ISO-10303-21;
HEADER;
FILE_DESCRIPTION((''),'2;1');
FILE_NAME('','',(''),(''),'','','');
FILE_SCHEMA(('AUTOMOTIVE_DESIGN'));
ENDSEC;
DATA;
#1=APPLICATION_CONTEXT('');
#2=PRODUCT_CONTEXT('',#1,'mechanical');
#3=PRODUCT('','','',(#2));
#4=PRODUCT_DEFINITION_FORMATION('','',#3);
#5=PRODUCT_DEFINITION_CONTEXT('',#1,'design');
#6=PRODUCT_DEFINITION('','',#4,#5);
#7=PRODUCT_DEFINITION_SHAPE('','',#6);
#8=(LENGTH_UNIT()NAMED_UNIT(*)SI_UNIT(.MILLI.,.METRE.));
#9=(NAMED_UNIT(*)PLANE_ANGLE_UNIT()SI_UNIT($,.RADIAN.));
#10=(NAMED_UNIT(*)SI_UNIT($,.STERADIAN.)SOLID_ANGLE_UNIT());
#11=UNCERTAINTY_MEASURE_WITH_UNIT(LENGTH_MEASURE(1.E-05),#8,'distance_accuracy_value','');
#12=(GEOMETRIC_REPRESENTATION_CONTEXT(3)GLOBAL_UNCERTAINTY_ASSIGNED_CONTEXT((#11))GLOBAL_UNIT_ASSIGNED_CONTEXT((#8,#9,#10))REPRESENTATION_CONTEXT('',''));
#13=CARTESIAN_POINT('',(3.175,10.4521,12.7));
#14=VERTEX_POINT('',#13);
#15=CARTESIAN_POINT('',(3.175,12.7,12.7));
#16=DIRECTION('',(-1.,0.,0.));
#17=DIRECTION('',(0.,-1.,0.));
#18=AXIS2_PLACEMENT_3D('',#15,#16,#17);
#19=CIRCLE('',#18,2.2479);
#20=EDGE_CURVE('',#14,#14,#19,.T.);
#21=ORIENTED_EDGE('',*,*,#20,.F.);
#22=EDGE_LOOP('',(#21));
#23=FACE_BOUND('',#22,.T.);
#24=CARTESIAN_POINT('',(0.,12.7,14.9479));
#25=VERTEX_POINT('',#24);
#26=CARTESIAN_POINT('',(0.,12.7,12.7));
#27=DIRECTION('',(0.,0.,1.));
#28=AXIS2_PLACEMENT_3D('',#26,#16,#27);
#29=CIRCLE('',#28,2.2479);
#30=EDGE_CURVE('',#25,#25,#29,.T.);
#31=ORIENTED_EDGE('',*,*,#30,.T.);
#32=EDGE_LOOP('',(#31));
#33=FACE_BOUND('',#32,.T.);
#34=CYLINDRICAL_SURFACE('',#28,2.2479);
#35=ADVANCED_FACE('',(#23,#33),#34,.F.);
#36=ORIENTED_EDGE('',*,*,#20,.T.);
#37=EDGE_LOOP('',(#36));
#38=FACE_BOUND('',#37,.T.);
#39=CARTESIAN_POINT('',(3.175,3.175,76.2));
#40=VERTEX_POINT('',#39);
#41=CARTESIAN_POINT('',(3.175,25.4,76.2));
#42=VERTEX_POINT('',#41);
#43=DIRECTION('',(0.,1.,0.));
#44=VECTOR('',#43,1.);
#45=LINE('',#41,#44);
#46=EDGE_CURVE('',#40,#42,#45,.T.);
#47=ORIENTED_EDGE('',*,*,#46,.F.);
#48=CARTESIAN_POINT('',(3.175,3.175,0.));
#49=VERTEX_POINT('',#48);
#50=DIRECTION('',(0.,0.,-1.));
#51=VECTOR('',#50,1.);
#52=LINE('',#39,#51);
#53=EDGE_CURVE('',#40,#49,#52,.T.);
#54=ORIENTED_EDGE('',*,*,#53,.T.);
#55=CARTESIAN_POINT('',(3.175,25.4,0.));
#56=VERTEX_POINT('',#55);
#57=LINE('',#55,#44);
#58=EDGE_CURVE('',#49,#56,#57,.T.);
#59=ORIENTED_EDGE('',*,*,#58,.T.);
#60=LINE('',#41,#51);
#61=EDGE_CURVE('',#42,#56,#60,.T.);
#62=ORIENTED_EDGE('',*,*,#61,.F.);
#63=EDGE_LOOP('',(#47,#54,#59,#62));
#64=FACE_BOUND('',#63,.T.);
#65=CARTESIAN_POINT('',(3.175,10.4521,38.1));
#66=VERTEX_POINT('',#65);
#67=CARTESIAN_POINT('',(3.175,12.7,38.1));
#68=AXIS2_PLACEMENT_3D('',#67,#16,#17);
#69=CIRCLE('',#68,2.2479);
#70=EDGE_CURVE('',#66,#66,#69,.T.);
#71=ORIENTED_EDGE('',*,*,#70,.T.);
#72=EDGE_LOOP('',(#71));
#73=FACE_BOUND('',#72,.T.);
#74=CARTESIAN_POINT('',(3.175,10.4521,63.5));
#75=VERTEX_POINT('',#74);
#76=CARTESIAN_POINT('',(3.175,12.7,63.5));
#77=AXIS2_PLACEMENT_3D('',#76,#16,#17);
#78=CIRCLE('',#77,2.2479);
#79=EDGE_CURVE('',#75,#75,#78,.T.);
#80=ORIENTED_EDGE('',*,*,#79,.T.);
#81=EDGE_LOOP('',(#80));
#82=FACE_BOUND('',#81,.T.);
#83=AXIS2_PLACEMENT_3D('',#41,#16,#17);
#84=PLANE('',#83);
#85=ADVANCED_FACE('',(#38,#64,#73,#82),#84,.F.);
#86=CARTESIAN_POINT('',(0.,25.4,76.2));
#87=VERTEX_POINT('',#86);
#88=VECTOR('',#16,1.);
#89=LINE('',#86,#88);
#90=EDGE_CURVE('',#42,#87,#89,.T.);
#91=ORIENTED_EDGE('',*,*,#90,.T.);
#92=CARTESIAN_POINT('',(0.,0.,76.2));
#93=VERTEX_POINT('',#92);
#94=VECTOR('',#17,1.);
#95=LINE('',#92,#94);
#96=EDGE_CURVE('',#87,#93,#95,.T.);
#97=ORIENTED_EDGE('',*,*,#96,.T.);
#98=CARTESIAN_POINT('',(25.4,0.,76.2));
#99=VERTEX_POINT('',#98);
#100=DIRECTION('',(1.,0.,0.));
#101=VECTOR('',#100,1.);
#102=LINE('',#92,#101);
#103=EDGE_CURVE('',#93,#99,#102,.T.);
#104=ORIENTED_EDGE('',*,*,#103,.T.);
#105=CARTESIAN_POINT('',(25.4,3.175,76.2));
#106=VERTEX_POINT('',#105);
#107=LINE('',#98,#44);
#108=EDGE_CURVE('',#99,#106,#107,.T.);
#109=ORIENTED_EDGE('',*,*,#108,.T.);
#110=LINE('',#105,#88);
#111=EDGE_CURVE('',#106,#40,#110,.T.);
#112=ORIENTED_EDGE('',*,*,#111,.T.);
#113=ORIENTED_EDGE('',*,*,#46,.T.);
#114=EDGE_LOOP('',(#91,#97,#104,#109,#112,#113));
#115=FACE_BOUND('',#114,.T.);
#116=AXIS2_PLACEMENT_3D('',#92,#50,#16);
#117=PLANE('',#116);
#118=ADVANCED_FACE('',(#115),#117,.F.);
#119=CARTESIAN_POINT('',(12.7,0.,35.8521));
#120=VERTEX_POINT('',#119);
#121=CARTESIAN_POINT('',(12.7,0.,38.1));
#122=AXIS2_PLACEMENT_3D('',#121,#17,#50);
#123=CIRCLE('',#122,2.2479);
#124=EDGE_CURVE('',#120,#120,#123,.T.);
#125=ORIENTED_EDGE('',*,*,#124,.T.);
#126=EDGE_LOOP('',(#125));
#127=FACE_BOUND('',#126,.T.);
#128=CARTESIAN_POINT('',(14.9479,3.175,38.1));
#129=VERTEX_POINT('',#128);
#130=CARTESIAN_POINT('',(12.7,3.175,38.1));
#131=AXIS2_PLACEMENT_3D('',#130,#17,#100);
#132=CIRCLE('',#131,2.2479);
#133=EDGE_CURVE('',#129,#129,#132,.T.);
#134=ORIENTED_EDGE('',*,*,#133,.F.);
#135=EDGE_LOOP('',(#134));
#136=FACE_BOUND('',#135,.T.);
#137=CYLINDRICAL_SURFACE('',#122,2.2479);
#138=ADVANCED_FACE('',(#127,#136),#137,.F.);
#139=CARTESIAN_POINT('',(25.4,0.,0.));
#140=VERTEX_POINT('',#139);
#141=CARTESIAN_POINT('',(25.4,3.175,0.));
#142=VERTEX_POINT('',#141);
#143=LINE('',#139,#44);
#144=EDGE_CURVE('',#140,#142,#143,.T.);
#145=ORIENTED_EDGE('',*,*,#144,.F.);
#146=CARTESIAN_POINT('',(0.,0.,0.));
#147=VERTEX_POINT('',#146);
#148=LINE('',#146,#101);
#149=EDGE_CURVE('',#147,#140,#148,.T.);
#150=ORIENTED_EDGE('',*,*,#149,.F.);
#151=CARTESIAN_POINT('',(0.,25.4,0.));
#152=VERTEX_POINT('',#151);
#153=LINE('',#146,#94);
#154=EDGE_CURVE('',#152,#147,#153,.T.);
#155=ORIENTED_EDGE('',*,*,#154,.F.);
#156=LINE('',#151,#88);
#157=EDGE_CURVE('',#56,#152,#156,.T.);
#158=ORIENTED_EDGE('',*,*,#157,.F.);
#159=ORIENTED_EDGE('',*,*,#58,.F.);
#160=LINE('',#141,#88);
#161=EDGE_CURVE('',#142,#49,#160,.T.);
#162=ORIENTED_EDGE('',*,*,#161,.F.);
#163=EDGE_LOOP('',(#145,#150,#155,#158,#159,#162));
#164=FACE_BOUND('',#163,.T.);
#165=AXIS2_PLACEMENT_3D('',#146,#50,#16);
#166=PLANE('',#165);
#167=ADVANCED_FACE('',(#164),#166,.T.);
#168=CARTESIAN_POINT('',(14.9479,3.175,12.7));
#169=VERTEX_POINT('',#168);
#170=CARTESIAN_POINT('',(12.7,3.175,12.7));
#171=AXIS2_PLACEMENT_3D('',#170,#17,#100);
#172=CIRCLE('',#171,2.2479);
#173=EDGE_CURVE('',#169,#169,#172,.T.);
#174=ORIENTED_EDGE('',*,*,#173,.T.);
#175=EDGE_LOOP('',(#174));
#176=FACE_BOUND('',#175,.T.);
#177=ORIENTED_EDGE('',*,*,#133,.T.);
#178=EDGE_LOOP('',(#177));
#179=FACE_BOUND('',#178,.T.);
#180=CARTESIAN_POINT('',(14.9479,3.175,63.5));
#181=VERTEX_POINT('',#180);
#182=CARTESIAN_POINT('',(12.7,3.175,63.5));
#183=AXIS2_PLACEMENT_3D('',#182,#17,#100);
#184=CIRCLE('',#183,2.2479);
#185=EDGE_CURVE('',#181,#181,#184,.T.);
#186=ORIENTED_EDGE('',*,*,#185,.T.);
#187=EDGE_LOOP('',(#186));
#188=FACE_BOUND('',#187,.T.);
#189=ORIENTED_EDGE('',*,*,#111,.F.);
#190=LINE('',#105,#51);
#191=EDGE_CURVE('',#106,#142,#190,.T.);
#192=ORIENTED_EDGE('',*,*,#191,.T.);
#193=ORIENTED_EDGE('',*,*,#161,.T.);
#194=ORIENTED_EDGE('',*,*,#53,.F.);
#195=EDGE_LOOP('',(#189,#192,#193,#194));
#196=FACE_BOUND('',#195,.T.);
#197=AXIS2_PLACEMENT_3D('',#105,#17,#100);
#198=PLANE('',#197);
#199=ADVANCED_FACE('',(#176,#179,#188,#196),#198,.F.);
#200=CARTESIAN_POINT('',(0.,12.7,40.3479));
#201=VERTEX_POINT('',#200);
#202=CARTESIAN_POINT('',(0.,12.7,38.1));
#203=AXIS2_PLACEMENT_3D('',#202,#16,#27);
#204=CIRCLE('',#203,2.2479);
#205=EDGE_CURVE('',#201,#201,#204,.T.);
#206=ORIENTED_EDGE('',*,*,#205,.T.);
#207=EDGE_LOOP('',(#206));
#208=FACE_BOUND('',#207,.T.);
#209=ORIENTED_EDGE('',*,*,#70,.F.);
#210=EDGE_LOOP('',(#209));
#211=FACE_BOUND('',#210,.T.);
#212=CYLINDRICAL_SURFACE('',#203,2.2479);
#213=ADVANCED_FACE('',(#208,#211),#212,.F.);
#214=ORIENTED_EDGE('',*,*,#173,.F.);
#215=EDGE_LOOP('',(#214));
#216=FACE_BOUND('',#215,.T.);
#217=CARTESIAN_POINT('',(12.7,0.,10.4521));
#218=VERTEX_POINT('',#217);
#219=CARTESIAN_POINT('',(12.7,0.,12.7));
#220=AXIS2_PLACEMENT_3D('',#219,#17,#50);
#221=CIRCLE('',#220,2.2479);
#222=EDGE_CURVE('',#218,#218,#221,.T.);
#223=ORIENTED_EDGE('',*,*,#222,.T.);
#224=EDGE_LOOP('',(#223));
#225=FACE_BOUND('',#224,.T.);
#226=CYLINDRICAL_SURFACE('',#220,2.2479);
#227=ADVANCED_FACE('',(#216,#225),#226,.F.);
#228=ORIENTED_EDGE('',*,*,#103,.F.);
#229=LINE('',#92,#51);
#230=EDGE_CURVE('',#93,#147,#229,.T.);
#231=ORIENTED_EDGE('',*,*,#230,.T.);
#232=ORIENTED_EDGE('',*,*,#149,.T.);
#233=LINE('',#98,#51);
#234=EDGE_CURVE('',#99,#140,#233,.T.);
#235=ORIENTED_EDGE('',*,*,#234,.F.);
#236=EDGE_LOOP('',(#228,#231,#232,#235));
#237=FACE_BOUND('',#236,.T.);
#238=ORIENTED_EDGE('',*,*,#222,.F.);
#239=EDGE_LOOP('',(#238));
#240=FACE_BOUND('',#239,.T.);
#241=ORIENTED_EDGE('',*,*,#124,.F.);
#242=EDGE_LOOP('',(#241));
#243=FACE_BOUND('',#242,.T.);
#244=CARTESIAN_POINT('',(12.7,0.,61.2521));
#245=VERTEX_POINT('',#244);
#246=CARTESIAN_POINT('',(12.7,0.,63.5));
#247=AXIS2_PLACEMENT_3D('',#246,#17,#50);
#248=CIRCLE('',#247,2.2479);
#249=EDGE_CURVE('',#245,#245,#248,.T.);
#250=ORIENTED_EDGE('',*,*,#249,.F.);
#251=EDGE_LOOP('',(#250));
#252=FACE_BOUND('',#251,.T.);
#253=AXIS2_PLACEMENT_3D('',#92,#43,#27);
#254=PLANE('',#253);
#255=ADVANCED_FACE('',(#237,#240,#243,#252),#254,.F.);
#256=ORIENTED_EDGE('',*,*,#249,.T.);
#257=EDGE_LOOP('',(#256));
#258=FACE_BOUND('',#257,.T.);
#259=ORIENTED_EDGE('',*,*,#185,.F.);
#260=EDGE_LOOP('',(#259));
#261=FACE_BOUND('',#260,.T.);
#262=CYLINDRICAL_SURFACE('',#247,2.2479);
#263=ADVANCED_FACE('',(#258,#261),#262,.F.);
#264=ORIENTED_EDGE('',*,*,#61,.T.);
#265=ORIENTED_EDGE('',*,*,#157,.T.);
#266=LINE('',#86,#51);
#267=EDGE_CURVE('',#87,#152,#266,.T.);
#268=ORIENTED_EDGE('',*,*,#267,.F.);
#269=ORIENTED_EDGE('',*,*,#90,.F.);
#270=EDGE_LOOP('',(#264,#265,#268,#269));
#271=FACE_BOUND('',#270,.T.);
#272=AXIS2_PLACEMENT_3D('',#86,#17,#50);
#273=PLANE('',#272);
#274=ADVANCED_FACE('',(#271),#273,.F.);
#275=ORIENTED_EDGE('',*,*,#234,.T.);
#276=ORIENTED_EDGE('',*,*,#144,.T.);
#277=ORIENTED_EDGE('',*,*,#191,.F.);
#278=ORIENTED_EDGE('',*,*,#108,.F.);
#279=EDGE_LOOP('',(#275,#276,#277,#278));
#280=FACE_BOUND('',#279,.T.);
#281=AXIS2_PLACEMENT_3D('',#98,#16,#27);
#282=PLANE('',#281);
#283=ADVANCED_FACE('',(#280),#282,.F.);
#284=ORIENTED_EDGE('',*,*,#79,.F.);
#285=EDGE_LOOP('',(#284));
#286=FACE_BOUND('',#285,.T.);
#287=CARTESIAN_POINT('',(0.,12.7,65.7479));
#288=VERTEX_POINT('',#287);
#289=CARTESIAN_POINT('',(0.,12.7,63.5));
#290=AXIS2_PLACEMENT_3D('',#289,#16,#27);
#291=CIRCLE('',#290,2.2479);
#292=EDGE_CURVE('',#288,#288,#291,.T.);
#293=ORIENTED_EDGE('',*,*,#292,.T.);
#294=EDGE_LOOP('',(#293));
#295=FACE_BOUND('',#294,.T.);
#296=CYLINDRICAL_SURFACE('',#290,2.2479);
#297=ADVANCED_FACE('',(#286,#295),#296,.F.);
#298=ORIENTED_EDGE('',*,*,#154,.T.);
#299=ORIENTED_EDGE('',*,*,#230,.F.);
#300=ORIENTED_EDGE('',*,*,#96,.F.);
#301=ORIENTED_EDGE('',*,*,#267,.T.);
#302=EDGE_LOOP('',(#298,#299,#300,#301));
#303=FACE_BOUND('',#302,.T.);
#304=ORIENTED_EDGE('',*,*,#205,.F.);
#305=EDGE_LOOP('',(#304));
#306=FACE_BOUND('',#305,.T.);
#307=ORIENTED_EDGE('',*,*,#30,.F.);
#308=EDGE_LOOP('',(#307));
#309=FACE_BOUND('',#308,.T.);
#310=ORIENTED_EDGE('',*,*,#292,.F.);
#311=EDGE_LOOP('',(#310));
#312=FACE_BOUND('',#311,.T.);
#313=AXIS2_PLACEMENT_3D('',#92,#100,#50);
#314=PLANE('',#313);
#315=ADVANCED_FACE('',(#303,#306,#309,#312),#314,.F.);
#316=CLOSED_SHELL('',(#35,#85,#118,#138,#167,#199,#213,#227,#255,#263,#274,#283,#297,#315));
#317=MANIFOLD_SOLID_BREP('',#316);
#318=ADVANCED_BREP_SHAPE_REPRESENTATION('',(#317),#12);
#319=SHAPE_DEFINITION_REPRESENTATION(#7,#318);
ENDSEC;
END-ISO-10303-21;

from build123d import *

# Parameters (mm, degrees)
BOSS_EXTRUDE1_DEPTH   = 76.2
F_8_CLEARANCE_HOLE1_D = 4.4958
F_8_CLEARANCE_HOLE2_D = 4.4958


with BuildPart() as part:
    # Sketch1 → Boss-Extrude1 (new body)
    with BuildSketch(Plane.XY):
        Polygon((0, 0), (25.4, 0), (25.4, 3.175), (3.175, 3.175), (3.175, 25.4), (0, 25.4), align=None)
    extrude(amount=BOSS_EXTRUDE1_DEPTH)

    # #8 Clearance Hole1 (through all)
    with Locations(Plane.XZ):
        with Locations((12.7, 63.5), (12.7, 38.1), (12.7, 12.7)):
            Hole(F_8_CLEARANCE_HOLE1_D / 2)

    # #8 Clearance Hole2 (through all)
    with Locations(Plane.ZY):
        with Locations((63.5, 12.7), (38.1, 12.7), (12.7, 12.7)):
            Hole(F_8_CLEARANCE_HOLE2_D / 2)


solid = part.part
